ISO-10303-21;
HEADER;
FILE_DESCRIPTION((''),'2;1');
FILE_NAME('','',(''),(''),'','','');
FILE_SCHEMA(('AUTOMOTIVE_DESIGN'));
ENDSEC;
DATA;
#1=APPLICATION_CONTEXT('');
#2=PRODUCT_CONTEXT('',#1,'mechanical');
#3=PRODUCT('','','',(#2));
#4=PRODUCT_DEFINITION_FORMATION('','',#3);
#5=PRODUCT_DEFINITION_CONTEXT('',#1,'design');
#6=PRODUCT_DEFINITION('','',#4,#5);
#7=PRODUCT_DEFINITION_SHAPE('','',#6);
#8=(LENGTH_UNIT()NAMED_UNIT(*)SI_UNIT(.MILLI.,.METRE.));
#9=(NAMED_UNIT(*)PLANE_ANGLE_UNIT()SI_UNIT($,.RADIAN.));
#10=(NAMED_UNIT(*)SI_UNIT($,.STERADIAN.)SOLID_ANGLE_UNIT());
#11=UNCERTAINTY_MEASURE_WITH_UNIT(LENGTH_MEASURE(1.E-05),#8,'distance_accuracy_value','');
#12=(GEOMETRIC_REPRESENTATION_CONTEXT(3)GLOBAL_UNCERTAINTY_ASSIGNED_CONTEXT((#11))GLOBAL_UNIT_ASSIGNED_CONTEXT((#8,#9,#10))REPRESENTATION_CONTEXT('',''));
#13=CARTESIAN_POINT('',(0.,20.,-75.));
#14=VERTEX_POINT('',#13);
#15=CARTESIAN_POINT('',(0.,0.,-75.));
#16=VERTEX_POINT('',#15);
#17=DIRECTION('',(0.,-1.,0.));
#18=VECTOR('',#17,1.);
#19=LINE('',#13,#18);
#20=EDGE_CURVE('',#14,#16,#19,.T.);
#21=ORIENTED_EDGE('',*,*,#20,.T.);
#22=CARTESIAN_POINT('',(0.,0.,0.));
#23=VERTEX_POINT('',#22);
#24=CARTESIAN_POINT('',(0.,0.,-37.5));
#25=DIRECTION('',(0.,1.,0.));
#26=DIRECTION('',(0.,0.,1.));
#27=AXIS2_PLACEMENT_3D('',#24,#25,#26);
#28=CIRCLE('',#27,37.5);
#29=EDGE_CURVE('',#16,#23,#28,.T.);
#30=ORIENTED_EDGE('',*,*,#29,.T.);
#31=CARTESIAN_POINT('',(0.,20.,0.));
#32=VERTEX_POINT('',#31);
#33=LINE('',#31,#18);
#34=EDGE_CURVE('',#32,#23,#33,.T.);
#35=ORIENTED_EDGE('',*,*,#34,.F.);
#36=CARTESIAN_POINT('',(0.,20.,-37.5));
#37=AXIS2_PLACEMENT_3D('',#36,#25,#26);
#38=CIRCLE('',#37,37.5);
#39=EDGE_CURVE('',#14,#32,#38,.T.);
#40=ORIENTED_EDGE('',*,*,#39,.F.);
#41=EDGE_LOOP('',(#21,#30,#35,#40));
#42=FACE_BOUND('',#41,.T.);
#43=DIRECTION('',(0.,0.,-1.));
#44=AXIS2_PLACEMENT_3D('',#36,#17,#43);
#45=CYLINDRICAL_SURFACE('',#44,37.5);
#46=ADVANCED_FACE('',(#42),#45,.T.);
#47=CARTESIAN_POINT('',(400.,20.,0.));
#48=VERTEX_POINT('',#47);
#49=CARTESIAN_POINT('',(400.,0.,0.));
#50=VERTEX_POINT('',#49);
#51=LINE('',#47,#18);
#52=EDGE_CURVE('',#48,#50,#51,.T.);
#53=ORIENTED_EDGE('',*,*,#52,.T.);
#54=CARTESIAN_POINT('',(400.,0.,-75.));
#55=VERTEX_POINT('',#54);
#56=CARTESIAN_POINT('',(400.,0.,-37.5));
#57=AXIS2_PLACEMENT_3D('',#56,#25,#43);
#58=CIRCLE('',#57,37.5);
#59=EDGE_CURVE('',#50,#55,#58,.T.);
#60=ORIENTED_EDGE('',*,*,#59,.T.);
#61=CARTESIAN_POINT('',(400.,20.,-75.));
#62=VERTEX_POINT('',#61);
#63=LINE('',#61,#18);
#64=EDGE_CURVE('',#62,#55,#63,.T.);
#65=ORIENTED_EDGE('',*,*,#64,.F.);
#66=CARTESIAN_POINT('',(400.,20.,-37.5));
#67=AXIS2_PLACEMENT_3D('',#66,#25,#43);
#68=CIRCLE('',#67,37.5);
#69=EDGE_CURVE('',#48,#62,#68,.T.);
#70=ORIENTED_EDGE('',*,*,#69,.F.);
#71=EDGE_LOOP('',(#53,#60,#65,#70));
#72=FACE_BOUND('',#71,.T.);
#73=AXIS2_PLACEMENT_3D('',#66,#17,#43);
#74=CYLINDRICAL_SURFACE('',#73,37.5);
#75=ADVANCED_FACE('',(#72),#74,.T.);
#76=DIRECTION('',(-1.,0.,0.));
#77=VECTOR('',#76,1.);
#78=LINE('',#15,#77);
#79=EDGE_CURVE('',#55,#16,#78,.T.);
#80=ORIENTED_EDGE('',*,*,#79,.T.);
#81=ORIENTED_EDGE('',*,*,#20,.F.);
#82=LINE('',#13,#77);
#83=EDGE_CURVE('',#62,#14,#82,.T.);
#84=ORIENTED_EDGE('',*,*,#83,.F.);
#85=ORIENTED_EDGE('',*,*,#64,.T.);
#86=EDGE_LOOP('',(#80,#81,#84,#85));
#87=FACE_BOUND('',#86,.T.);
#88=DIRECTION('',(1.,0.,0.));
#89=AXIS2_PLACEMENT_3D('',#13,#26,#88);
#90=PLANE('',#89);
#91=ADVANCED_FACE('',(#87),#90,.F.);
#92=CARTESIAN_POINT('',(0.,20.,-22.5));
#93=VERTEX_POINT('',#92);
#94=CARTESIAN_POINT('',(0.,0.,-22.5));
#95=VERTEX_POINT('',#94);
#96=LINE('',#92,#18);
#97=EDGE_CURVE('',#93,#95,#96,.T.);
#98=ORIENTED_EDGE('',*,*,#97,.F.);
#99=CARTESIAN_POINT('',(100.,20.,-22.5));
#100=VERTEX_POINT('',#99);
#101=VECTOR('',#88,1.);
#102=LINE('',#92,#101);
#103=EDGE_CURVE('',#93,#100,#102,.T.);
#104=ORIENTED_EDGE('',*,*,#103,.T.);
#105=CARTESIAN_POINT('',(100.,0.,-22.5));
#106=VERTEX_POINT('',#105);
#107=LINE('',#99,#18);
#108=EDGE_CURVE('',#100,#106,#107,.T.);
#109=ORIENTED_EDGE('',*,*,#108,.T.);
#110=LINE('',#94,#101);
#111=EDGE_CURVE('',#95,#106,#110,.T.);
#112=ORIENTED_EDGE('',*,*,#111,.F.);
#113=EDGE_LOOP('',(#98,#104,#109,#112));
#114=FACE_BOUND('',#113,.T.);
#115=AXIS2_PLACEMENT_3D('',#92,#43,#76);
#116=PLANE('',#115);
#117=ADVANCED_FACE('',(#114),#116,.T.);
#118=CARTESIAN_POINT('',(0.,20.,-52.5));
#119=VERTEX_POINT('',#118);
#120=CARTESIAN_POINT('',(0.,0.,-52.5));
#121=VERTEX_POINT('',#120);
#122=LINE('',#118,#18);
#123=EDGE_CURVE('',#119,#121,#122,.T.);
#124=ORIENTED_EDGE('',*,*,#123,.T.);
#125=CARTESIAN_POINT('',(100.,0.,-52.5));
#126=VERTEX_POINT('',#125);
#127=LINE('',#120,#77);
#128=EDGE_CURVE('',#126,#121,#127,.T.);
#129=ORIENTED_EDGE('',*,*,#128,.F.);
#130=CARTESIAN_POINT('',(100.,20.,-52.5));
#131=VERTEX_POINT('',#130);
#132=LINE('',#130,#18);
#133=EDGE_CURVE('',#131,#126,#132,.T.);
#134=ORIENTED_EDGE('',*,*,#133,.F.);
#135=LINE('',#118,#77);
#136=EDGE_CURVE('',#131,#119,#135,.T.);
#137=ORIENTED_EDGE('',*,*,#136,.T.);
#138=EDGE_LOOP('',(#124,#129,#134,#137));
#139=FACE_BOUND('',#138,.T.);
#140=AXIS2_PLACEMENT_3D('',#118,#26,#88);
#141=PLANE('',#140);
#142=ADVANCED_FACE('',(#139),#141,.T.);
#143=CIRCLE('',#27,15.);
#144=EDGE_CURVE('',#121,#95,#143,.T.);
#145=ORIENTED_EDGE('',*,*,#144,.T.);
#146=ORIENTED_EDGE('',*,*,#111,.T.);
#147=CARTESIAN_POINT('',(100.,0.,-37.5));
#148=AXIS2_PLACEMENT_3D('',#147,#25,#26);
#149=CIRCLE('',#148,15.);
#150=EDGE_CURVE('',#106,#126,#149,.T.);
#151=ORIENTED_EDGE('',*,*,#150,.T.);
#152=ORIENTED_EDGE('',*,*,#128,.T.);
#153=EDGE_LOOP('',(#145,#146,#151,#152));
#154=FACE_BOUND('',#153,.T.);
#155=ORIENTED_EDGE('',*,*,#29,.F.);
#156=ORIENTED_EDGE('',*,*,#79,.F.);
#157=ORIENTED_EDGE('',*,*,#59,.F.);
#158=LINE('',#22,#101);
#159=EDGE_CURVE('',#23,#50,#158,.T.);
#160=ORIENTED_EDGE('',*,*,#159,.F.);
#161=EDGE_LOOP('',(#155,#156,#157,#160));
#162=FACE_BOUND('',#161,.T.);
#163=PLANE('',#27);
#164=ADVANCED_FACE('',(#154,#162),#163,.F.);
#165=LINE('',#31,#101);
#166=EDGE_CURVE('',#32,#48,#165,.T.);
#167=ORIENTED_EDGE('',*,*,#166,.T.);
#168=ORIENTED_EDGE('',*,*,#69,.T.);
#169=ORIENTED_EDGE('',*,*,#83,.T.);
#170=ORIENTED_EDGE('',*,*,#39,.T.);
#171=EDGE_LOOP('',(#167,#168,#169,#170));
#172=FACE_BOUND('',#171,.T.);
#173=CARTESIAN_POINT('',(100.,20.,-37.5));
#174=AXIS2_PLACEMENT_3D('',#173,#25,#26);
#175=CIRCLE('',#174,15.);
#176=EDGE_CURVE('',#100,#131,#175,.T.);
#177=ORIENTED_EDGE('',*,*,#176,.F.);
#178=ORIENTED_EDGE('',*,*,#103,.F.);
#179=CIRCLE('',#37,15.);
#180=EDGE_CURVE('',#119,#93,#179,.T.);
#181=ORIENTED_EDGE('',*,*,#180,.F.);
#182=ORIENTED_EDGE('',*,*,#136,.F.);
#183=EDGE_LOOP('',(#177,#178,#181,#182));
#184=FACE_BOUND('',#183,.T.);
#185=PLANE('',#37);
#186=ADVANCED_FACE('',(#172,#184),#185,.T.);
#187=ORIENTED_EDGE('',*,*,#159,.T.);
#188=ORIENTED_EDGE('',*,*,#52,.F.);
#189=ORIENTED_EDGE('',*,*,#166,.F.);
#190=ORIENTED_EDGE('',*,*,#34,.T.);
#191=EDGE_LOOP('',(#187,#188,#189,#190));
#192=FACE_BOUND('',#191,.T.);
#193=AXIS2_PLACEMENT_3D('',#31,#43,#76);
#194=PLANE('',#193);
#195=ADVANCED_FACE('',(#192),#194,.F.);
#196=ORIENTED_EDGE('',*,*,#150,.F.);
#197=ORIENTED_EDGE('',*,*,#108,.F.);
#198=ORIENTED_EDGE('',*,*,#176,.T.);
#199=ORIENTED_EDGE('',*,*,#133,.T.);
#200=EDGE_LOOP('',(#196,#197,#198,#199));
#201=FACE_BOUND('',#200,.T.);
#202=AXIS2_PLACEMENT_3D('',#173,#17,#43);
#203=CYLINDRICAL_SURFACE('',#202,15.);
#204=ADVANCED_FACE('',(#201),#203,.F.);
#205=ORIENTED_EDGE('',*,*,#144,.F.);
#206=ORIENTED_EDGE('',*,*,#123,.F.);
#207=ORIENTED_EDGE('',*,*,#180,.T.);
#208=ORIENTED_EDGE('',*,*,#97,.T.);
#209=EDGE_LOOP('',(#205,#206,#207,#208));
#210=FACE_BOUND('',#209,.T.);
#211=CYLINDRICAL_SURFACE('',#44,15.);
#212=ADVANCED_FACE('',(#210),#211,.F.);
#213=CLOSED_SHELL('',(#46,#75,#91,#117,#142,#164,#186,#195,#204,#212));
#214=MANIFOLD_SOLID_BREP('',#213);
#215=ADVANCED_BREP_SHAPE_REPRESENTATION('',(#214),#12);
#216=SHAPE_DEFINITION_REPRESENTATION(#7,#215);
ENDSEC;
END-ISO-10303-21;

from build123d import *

# Parameters (mm, degrees)
BOSS_EXTRUDE1_DEPTH = 20


with BuildPart() as part:
    # Sketch1 → Boss-Extrude1 (new body)
    with BuildSketch(Plane(origin=(0, 0, 0), x_dir=(1, 0, 0), z_dir=(0, 1, 0))):
        with BuildLine():
            Line((0, 0), (400, 0))
            ThreePointArc((400, 0), (437.5, 37.5), (400, 75))
            Line((400, 75), (0, 75))
            ThreePointArc((0, 75), (-37.5, 37.5), (0, 0))
        make_face()
        with BuildLine():
            Line((0, 52.5), (100, 52.5))
            ThreePointArc((100, 52.5), (115, 37.5), (100, 22.5))
            Line((100, 22.5), (0, 22.5))
            ThreePointArc((0, 22.5), (-15, 37.5), (0, 52.5))
        make_face(mode=Mode.SUBTRACT)
    extrude(amount=BOSS_EXTRUDE1_DEPTH)


solid = part.part
